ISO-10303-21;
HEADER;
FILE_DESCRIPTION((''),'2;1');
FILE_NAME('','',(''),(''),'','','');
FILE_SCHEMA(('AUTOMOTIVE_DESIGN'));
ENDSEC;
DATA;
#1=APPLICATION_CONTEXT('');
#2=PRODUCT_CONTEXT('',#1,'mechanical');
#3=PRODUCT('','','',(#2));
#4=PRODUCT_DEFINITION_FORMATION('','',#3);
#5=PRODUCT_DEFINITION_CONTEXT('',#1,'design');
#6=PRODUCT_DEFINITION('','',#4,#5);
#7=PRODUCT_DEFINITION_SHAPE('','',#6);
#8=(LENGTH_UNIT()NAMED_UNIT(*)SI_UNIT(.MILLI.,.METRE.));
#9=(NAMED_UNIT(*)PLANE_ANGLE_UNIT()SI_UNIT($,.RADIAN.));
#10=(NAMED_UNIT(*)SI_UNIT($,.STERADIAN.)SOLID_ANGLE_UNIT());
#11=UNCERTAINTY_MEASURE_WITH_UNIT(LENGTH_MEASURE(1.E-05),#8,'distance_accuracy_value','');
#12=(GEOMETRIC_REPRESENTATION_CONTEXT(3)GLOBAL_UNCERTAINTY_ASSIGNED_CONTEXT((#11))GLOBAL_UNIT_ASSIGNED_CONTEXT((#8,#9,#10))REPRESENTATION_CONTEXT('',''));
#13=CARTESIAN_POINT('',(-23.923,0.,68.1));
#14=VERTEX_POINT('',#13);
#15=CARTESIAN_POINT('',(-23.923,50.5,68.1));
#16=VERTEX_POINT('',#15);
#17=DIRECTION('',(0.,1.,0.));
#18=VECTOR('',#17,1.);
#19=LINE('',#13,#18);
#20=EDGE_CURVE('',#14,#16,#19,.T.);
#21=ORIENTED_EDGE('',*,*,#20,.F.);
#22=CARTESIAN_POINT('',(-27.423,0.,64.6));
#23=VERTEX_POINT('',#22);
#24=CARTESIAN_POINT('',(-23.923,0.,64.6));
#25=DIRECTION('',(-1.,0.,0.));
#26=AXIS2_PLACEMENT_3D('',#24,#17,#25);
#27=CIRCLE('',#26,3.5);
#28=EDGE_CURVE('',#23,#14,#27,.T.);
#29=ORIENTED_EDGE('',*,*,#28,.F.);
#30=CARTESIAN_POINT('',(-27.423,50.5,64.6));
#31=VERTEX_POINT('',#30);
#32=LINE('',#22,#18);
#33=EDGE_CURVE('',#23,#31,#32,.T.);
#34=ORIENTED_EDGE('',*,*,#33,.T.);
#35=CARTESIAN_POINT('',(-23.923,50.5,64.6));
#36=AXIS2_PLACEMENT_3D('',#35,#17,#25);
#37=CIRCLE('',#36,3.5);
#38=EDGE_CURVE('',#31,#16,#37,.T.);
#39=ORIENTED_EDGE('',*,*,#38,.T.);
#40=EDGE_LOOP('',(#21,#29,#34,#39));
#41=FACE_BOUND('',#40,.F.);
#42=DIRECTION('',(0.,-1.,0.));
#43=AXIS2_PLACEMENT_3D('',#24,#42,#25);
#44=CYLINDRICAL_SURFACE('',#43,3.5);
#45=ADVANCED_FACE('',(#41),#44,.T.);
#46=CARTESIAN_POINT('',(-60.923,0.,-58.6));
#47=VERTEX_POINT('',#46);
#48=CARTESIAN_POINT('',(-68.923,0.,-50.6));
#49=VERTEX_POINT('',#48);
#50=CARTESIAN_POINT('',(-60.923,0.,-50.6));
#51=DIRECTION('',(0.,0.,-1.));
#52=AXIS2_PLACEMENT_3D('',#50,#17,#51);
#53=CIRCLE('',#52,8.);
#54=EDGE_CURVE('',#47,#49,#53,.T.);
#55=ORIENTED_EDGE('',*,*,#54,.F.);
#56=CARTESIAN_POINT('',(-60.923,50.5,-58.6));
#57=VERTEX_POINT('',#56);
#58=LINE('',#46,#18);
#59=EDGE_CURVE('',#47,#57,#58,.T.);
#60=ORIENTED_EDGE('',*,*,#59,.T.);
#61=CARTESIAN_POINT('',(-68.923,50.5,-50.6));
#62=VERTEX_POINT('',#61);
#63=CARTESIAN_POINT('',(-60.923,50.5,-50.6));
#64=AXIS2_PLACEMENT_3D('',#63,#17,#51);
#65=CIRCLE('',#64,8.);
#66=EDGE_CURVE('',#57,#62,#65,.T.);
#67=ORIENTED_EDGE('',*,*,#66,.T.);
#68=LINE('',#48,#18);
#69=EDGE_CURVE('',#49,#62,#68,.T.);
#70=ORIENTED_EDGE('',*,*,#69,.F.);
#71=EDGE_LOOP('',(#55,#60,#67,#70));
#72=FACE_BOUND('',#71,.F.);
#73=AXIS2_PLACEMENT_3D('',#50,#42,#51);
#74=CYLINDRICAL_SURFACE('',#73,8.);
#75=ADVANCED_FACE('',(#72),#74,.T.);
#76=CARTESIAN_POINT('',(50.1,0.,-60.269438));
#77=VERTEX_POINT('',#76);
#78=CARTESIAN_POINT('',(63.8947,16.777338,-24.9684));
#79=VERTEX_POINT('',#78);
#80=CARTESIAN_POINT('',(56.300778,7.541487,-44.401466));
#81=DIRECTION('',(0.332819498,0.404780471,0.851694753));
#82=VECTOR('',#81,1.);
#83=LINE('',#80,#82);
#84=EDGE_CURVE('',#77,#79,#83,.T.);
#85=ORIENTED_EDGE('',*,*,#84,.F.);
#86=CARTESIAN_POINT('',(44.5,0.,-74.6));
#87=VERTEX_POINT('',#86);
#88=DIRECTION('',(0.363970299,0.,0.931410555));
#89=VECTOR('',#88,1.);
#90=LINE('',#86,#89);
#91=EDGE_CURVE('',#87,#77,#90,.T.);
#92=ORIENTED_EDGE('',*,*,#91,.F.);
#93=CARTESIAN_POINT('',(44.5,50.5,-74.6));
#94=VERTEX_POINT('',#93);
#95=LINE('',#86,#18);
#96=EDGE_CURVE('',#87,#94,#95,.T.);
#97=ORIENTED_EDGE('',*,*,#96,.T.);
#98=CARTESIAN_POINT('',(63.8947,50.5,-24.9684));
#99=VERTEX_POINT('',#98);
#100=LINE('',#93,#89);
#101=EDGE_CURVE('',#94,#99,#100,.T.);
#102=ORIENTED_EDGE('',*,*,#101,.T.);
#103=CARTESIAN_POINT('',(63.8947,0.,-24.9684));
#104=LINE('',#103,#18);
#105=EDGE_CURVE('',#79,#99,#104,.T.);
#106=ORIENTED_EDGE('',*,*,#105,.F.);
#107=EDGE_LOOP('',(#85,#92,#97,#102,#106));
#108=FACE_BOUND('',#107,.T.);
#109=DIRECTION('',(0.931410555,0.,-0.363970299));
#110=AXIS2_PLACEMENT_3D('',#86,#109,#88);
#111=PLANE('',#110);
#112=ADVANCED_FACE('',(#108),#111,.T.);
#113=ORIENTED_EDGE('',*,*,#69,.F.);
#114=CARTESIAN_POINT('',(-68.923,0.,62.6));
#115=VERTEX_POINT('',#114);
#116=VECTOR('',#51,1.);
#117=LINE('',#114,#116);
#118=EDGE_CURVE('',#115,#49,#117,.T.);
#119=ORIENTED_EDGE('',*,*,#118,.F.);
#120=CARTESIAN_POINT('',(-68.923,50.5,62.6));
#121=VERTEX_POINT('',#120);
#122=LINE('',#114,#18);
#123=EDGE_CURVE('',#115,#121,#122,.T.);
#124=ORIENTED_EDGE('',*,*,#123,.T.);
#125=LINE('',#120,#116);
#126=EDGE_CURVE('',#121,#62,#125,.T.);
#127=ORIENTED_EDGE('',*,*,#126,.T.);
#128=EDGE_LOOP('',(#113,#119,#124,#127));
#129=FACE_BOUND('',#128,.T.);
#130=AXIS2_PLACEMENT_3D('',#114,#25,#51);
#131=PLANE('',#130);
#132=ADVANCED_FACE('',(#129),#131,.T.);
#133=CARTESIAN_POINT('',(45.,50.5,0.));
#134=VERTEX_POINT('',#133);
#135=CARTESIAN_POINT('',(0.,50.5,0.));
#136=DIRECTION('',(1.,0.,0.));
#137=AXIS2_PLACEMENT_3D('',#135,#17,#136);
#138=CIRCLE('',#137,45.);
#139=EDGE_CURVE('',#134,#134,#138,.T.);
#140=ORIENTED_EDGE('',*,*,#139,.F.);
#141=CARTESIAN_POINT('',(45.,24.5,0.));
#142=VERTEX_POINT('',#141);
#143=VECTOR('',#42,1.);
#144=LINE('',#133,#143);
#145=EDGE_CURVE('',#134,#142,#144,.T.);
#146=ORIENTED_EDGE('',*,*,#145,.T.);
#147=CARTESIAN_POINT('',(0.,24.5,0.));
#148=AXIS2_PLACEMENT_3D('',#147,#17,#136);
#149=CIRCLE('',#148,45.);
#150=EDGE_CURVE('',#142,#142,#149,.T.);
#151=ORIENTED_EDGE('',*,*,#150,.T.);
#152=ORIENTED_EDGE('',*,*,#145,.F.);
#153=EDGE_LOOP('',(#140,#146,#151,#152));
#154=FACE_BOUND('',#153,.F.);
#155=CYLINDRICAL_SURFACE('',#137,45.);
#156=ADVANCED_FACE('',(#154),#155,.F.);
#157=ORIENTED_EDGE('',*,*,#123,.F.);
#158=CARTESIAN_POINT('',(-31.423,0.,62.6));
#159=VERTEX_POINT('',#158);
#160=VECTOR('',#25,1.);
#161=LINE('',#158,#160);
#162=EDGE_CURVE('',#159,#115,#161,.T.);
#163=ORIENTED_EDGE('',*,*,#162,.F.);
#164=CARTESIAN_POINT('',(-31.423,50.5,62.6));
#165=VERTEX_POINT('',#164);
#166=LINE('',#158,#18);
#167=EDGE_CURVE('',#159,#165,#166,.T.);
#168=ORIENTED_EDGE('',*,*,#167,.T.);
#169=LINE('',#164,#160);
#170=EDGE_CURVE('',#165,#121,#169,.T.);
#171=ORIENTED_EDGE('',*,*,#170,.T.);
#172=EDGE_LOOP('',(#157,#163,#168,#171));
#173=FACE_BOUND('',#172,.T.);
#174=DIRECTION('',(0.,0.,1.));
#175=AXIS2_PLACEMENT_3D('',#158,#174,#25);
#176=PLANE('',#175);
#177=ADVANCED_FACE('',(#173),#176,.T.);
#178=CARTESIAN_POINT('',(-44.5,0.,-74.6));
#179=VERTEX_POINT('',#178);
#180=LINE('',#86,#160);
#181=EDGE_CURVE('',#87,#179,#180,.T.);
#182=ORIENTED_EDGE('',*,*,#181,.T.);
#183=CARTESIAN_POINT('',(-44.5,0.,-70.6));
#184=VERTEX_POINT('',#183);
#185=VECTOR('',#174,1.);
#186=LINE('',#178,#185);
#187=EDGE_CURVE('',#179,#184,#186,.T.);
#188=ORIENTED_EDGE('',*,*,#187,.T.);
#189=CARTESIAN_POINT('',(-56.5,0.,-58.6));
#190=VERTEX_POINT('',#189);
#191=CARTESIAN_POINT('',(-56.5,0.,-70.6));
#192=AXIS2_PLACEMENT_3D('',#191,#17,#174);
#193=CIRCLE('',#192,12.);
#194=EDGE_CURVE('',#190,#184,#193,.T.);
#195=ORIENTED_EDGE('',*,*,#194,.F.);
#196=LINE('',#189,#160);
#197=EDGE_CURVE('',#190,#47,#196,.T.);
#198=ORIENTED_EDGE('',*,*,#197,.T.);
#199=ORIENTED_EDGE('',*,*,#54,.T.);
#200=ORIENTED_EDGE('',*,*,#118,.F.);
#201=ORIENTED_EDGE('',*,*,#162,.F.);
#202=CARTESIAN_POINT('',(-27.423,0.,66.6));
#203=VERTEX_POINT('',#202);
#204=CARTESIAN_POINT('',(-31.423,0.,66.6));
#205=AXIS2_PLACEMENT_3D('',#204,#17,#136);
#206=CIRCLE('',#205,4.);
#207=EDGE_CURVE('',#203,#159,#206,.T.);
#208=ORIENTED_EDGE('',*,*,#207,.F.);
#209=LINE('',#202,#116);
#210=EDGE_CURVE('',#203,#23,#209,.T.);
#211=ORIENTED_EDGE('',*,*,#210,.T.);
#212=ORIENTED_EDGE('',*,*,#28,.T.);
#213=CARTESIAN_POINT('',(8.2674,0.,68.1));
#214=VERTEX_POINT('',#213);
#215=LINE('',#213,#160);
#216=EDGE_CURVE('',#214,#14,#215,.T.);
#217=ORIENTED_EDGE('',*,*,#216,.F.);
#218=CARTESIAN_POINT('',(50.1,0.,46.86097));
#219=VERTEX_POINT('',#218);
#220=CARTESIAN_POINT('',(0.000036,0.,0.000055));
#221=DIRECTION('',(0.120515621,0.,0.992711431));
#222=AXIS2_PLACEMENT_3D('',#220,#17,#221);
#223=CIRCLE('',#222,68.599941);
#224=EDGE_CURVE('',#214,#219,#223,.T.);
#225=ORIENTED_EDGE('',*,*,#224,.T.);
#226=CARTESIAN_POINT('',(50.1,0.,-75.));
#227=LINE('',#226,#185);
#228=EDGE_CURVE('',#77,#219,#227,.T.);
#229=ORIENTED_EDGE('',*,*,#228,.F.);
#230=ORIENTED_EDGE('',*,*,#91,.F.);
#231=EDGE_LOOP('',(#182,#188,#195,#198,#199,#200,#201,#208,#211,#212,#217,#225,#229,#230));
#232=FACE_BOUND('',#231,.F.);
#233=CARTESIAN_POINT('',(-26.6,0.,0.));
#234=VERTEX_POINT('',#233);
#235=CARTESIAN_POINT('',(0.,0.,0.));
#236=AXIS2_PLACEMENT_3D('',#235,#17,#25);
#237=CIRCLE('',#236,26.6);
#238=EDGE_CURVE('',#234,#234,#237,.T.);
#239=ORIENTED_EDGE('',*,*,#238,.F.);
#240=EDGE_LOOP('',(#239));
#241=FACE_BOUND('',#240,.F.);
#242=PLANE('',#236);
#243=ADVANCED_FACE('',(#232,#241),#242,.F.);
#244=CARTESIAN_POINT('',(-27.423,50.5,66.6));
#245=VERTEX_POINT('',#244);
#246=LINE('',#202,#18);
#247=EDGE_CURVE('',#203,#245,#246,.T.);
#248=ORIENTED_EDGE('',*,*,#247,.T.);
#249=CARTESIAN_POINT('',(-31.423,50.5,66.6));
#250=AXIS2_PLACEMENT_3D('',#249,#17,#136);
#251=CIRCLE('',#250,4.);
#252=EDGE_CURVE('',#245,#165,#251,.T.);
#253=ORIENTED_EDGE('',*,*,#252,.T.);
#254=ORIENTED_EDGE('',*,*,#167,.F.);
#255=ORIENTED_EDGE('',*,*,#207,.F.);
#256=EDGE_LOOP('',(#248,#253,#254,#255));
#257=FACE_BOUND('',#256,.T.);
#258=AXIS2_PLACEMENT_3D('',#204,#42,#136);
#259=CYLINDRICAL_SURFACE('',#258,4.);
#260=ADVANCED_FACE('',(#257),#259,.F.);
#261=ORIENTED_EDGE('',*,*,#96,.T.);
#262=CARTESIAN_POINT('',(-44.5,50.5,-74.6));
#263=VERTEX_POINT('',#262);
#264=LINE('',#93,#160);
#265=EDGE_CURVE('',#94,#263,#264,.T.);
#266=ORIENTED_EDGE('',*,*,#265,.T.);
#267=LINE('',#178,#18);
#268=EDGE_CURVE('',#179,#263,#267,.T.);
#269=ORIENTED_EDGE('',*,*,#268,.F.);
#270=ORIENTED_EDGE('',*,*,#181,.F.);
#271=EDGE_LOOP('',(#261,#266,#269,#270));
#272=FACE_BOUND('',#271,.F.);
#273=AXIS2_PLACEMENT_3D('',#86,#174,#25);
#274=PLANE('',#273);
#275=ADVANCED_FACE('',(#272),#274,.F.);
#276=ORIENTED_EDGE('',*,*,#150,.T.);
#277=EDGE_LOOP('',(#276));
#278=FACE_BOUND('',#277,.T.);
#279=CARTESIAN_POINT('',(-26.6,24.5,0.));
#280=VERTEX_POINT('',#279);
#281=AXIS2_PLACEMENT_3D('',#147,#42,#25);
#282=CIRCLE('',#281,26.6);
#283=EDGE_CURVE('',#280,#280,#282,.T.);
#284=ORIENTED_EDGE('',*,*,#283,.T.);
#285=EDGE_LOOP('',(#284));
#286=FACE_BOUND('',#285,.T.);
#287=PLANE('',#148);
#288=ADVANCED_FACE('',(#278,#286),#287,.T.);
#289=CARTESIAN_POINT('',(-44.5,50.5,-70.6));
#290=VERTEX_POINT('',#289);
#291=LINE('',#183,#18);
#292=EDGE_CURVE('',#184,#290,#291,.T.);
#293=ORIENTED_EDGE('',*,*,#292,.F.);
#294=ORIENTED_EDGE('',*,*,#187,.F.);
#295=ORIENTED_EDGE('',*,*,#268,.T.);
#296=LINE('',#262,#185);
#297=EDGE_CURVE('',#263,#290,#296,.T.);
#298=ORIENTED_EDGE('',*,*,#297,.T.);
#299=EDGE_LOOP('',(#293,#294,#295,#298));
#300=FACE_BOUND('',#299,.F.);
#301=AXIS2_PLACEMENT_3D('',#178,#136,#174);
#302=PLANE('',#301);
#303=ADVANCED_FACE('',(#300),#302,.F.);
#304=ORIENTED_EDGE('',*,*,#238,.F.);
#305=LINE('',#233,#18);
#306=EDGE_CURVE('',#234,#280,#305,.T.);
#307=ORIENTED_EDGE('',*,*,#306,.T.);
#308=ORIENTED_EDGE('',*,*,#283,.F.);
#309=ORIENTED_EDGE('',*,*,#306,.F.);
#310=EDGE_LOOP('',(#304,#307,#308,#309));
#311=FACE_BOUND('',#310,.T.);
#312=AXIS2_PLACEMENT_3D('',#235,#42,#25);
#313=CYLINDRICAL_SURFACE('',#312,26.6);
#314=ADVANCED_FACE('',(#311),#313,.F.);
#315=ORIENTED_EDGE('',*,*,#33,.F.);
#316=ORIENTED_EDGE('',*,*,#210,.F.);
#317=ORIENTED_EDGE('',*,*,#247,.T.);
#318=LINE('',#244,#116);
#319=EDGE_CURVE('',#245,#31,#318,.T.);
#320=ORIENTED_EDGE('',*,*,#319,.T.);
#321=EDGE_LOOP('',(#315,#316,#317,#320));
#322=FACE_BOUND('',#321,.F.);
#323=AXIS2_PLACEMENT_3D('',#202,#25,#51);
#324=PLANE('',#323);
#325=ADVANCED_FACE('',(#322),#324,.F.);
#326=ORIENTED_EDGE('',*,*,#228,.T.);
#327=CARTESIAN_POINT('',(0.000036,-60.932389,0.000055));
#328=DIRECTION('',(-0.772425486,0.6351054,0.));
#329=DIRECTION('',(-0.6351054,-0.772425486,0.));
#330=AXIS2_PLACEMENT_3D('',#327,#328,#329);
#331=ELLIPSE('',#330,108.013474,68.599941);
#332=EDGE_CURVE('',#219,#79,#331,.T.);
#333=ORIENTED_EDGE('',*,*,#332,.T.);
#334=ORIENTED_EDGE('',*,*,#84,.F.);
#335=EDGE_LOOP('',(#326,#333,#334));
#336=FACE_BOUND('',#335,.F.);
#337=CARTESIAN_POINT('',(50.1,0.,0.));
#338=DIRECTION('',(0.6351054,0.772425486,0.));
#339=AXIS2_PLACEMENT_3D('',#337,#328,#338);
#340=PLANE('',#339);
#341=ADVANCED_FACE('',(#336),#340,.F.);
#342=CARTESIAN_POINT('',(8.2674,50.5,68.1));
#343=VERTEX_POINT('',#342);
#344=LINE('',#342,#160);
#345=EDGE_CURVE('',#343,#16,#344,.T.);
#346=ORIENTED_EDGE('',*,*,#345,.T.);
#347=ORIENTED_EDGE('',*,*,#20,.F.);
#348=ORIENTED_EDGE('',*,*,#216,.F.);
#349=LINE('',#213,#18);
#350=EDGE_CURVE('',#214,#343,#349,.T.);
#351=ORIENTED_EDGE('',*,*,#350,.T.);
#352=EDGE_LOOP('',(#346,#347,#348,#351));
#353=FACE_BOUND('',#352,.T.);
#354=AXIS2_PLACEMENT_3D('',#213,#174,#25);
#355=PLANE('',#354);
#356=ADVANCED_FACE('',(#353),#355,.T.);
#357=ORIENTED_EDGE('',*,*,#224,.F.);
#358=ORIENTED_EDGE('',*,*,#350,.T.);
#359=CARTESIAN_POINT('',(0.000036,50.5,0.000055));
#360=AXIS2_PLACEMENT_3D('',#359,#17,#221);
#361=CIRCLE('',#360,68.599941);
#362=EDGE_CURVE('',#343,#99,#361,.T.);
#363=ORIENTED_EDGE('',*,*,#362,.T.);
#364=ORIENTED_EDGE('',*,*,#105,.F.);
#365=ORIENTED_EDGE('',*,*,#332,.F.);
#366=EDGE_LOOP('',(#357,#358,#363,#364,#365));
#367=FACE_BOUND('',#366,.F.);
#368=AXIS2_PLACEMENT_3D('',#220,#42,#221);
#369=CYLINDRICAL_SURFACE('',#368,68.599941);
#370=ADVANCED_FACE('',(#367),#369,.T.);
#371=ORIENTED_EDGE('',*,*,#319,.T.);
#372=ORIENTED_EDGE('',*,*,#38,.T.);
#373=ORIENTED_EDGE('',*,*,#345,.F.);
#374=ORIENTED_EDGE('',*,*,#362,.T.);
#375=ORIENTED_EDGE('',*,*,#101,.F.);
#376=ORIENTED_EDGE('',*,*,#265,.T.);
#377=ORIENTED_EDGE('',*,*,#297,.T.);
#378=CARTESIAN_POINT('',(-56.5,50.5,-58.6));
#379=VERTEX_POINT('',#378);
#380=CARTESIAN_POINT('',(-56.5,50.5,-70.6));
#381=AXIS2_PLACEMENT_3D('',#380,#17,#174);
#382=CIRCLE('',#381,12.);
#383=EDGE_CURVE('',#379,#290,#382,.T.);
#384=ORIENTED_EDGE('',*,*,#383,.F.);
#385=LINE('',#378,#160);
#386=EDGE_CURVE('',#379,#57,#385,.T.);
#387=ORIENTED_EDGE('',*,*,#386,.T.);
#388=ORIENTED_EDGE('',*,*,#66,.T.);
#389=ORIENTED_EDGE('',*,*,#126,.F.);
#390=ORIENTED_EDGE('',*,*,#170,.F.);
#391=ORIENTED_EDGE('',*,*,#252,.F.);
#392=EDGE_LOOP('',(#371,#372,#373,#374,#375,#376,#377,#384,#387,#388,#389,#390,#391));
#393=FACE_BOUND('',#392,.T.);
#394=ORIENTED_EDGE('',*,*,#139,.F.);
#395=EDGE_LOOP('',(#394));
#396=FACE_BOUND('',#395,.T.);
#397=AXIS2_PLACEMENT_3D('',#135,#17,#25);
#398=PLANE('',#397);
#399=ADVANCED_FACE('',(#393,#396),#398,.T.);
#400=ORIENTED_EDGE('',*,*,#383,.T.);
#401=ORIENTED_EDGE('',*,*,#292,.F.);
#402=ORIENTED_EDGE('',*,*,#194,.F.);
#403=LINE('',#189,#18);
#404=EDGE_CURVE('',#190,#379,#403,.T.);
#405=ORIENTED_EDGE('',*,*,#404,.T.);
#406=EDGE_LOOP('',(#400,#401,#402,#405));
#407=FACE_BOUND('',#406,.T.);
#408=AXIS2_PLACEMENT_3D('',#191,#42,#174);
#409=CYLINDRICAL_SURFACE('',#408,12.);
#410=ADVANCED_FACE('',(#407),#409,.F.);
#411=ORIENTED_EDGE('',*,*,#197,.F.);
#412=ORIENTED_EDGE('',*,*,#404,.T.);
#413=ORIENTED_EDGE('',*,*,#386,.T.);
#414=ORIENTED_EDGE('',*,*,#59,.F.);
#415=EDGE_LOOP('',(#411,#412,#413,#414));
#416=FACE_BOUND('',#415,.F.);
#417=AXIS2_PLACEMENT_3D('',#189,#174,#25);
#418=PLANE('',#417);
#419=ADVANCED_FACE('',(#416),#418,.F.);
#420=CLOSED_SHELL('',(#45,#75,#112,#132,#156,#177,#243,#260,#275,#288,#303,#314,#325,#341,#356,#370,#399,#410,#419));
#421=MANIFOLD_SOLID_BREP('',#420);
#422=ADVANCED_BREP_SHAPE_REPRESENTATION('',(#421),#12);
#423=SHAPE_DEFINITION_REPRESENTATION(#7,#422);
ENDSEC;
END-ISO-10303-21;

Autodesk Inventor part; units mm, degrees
ref_plane "YZ Plane" through (0, 0, 0) normal (1, 0, 0) x (0, 1, 0)
ref_plane "XZ Plane" through (0, 0, 0) normal (0, 1, 0) x (-1, 0, 0)
ref_plane "XY Plane" through (0, 0, 0) normal (0, 0, 1) x (1, 0, 0)
sketch "Sketch1" plane through (0, 0, 0) normal (0, 1, 0) x (-1, 0, 0)
  circle A0 centre (0, 0) radius 26.6
  line L0 (0, -26.6) -> (0, -74.6) construction
  line L1 (-44.5, -74.6) -> (44.5, -74.6)
  line L2 (0, 26.6) -> (0, 68.1) construction
  line L3 (-44.5, -74.6) -> (-63.8947, -24.9684)
  line L4 (26.6, 0) -> (69.1, 0) construction
  arc A1 (-8.2674, 68.1) -> (-63.8947, -24.9684) centre (0, 0) ccw
  line L5 (44.5, -74.6) -> (44.5, -70.6)
  line L6 (56.5, -58.6) -> (60.923, -58.6)
  arc A2 (56.5, -58.6) -> (44.5, -70.6) centre (56.5, -70.6) ccw
  arc A3 (60.923, -58.6) -> (68.923, -50.6) centre (60.923, -50.6) ccw
  line L7 (68.923, 68.1) -> (27.423, 68.1) construction
  line L8 (27.423, 68.1) -> (27.423, 62.6) construction
  line L9 (31.423, 62.6) -> (68.923, 62.6)
  line L10 (-8.2674, 68.1) -> (23.923, 68.1)
  line L11 (27.423, 66.6) -> (27.423, 64.6)
  line L12 (68.923, 62.6) -> (68.923, -50.6)
  arc A4 (27.423, 64.6) -> (23.923, 68.1) centre (23.923, 64.6) ccw
  arc A5 (27.423, 66.6) -> (31.423, 62.6) centre (31.423, 66.6) ccw
  point P0 (44.5, -58.6)
  dimension "d0" = 53.2
  dimension "d2" = 48
  dimension "d3" = 44.5
  dimension "d4" = 89
  dimension "d5" = 41.5
  dimension "d6" = 42.5
  dimension "d7" = 16
  dimension "d8" = 12
  dimension "d9" = 8
  dimension "d10" = 5.5
  dimension "d11" = 41.5
  dimension "d12" = 3.5
  dimension "d13" = 4
extrude "Extrusion1" add sketch "Sketch1" along normal blind 50.5
sketch "Sketch2" plane through (0, 50.5, 0) normal (0, 1, 0) x (1, 0, 0)
  circle A0 centre (0, 0) radius 45
  dimension "d16" = 90
extrude "Extrusion2" cut sketch "Sketch2" against normal blind 26
sketch "Sketch3" plane through (0, 0, 0) normal (0, 0, 1) x (1, 0, 0)
  line L0 (68.6, 22.5) -> (85.1798, 22.5)
  line L1 (68.6, 0) -> (50.1, 0)
  line L2 (68.6, 0) -> (8.2674, 0) projected
  line L3 (50.1, 0) -> (68.6, 22.5)
  line L4 (68.6, 0) -> (85.1798, 22.5)
  point P0 (0, 0)
  point P1 (63.8947, 0)
  dimension "d20" = 18.5
extrude "Extrusion3" cut sketch "Sketch3" along normal mid plane 150
properties part number "PocketNC_Workpiece_Z_axis_rotation"
